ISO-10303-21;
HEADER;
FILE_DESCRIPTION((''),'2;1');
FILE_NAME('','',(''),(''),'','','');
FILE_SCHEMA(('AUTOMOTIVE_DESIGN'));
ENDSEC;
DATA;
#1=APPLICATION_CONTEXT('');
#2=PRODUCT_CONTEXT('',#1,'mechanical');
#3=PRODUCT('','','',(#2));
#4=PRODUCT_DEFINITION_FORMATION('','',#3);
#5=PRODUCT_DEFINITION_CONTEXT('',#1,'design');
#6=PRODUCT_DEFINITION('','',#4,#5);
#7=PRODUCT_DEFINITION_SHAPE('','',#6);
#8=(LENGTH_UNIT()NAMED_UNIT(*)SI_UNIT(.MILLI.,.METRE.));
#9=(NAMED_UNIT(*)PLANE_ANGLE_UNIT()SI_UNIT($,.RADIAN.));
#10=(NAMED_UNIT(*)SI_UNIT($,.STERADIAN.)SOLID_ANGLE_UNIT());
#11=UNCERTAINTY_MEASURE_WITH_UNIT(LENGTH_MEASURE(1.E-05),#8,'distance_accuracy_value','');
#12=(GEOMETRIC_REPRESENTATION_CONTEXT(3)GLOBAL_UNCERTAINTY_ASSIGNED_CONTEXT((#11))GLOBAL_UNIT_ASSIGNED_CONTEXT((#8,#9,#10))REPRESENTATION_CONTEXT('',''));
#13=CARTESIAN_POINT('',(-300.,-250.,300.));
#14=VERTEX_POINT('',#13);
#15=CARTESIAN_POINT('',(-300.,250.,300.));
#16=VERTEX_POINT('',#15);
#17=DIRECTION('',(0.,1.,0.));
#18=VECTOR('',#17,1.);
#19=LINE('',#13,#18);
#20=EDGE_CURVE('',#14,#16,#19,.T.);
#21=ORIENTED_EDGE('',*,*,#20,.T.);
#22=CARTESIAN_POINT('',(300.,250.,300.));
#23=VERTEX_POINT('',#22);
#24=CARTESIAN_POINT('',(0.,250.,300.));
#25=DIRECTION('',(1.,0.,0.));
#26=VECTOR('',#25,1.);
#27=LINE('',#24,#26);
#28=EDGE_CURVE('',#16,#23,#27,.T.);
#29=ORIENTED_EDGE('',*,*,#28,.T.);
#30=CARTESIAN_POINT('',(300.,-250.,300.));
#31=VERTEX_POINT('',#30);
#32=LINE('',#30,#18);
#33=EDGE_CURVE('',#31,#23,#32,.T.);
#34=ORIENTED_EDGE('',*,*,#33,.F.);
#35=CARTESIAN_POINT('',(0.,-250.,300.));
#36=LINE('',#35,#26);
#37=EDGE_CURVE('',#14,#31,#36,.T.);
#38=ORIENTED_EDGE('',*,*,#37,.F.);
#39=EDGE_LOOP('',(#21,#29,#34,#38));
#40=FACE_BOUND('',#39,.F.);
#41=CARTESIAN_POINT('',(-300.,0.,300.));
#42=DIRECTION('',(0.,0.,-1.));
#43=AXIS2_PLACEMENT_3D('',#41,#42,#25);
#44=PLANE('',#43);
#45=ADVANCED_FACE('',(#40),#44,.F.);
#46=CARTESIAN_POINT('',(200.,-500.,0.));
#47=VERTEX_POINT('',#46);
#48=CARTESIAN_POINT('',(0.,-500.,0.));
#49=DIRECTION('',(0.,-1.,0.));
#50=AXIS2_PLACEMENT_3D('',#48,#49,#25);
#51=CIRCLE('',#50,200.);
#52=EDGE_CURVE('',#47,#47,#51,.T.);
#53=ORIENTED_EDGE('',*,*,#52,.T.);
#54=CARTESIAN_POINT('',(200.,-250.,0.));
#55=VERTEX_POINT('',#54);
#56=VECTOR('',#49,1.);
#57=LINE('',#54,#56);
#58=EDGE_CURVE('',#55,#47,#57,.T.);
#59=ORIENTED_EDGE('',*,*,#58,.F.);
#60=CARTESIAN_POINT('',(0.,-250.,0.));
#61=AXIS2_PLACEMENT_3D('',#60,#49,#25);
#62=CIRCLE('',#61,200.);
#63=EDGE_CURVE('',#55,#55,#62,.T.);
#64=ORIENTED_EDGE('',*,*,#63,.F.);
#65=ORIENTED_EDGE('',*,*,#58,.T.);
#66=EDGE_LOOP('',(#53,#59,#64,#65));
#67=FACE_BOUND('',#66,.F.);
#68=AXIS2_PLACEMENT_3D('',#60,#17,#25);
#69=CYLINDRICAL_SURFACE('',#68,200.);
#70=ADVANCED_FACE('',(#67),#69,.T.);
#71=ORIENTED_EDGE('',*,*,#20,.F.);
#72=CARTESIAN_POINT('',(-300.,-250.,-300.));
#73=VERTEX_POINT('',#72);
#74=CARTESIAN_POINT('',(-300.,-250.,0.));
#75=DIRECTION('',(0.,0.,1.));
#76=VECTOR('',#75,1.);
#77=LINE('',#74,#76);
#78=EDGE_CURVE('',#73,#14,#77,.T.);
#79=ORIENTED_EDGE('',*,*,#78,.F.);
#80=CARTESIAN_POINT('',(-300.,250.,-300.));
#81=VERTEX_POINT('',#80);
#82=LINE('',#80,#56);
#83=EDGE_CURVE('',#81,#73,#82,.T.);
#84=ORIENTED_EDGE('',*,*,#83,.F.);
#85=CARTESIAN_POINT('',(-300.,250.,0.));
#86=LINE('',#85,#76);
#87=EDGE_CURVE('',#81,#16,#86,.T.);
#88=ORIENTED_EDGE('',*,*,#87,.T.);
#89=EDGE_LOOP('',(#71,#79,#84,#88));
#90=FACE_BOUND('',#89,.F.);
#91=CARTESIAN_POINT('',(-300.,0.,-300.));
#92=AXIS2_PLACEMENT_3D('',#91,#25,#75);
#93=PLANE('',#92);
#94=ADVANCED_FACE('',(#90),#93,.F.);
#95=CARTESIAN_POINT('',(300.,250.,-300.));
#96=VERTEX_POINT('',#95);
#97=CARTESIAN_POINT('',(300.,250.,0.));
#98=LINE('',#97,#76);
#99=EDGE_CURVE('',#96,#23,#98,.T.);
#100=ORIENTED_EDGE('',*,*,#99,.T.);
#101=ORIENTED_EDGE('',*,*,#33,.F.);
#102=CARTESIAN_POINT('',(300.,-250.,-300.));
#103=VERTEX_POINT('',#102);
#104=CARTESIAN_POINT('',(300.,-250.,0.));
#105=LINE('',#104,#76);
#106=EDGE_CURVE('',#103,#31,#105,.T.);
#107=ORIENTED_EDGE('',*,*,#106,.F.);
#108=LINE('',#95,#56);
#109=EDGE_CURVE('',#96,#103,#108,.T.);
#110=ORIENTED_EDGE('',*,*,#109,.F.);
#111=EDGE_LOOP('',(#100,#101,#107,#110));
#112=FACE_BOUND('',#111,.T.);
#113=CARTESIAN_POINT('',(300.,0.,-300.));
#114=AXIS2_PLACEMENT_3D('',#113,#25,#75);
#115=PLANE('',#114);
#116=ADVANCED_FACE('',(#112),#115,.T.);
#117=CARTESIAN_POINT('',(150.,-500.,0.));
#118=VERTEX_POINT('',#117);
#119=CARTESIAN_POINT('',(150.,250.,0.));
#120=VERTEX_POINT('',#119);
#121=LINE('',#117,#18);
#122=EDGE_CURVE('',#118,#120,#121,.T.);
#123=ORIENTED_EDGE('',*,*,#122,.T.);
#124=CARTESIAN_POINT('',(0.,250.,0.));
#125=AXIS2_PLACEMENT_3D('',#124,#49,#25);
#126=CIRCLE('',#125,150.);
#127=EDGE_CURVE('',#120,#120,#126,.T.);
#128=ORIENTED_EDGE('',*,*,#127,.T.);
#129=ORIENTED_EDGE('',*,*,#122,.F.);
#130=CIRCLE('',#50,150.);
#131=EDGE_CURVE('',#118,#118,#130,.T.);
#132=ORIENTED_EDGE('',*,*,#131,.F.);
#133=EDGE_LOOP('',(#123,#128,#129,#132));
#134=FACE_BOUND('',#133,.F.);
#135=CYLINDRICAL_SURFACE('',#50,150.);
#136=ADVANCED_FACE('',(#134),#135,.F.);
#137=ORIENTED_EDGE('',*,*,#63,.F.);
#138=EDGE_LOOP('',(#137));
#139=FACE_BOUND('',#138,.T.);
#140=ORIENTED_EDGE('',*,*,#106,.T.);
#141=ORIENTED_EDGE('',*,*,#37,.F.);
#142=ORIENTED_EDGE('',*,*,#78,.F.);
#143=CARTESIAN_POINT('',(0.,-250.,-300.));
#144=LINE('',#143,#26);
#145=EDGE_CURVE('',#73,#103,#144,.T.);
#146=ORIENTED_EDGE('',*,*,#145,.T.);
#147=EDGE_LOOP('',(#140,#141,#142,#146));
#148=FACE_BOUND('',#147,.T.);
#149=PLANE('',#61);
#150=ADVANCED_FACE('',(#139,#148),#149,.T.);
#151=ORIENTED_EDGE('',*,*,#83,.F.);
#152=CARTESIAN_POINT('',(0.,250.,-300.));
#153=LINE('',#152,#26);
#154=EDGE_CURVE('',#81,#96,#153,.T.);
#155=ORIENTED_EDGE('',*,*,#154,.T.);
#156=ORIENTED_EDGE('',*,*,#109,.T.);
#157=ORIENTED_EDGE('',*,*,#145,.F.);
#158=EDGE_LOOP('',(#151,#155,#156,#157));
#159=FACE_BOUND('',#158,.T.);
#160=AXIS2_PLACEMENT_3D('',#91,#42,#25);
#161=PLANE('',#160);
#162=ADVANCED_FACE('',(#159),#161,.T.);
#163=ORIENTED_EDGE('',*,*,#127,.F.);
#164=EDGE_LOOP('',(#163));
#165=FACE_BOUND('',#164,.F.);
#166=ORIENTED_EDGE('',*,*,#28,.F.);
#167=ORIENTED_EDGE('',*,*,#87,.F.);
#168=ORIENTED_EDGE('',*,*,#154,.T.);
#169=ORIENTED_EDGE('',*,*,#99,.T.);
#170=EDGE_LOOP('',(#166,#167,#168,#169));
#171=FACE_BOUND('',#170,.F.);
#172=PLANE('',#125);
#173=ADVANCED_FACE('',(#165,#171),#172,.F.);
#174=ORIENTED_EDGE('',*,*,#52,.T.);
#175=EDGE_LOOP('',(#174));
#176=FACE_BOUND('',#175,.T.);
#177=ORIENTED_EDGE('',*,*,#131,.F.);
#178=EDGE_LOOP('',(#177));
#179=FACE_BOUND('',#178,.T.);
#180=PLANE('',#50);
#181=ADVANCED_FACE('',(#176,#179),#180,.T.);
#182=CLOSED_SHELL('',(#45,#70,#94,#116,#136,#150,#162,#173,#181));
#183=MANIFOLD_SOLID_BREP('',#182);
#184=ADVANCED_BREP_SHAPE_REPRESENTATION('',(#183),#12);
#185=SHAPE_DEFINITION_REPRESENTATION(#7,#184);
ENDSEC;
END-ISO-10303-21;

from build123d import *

# Parameters (mm, degrees)
F0_W     = 600
F0_H     = 600
F1_DEPTH = 250
F2_R     = 200
F2_R_2   = 150
F3_DEPTH = 250
F4_R     = 150
F5_DEPTH = 1016


with BuildPart() as f1:
    # F0 (on Front) → F1 (new body, symmetric)
    with BuildSketch(Plane.XZ):
        Rectangle(F0_W, F0_H)
    extrude(amount=F1_DEPTH, both=True)

    # F2 (on face) → F3 (join)
    with BuildSketch(Plane.XZ.offset(250)):
        Circle(F2_R)
        Circle(F2_R_2, mode=Mode.SUBTRACT)
    extrude(amount=F3_DEPTH)

    # F4 (on face) → F5 (cut)
    with BuildSketch(Plane.XZ.offset(500)):
        Circle(F4_R)
    extrude(amount=-F5_DEPTH, mode=Mode.SUBTRACT)


solid = f1.part
